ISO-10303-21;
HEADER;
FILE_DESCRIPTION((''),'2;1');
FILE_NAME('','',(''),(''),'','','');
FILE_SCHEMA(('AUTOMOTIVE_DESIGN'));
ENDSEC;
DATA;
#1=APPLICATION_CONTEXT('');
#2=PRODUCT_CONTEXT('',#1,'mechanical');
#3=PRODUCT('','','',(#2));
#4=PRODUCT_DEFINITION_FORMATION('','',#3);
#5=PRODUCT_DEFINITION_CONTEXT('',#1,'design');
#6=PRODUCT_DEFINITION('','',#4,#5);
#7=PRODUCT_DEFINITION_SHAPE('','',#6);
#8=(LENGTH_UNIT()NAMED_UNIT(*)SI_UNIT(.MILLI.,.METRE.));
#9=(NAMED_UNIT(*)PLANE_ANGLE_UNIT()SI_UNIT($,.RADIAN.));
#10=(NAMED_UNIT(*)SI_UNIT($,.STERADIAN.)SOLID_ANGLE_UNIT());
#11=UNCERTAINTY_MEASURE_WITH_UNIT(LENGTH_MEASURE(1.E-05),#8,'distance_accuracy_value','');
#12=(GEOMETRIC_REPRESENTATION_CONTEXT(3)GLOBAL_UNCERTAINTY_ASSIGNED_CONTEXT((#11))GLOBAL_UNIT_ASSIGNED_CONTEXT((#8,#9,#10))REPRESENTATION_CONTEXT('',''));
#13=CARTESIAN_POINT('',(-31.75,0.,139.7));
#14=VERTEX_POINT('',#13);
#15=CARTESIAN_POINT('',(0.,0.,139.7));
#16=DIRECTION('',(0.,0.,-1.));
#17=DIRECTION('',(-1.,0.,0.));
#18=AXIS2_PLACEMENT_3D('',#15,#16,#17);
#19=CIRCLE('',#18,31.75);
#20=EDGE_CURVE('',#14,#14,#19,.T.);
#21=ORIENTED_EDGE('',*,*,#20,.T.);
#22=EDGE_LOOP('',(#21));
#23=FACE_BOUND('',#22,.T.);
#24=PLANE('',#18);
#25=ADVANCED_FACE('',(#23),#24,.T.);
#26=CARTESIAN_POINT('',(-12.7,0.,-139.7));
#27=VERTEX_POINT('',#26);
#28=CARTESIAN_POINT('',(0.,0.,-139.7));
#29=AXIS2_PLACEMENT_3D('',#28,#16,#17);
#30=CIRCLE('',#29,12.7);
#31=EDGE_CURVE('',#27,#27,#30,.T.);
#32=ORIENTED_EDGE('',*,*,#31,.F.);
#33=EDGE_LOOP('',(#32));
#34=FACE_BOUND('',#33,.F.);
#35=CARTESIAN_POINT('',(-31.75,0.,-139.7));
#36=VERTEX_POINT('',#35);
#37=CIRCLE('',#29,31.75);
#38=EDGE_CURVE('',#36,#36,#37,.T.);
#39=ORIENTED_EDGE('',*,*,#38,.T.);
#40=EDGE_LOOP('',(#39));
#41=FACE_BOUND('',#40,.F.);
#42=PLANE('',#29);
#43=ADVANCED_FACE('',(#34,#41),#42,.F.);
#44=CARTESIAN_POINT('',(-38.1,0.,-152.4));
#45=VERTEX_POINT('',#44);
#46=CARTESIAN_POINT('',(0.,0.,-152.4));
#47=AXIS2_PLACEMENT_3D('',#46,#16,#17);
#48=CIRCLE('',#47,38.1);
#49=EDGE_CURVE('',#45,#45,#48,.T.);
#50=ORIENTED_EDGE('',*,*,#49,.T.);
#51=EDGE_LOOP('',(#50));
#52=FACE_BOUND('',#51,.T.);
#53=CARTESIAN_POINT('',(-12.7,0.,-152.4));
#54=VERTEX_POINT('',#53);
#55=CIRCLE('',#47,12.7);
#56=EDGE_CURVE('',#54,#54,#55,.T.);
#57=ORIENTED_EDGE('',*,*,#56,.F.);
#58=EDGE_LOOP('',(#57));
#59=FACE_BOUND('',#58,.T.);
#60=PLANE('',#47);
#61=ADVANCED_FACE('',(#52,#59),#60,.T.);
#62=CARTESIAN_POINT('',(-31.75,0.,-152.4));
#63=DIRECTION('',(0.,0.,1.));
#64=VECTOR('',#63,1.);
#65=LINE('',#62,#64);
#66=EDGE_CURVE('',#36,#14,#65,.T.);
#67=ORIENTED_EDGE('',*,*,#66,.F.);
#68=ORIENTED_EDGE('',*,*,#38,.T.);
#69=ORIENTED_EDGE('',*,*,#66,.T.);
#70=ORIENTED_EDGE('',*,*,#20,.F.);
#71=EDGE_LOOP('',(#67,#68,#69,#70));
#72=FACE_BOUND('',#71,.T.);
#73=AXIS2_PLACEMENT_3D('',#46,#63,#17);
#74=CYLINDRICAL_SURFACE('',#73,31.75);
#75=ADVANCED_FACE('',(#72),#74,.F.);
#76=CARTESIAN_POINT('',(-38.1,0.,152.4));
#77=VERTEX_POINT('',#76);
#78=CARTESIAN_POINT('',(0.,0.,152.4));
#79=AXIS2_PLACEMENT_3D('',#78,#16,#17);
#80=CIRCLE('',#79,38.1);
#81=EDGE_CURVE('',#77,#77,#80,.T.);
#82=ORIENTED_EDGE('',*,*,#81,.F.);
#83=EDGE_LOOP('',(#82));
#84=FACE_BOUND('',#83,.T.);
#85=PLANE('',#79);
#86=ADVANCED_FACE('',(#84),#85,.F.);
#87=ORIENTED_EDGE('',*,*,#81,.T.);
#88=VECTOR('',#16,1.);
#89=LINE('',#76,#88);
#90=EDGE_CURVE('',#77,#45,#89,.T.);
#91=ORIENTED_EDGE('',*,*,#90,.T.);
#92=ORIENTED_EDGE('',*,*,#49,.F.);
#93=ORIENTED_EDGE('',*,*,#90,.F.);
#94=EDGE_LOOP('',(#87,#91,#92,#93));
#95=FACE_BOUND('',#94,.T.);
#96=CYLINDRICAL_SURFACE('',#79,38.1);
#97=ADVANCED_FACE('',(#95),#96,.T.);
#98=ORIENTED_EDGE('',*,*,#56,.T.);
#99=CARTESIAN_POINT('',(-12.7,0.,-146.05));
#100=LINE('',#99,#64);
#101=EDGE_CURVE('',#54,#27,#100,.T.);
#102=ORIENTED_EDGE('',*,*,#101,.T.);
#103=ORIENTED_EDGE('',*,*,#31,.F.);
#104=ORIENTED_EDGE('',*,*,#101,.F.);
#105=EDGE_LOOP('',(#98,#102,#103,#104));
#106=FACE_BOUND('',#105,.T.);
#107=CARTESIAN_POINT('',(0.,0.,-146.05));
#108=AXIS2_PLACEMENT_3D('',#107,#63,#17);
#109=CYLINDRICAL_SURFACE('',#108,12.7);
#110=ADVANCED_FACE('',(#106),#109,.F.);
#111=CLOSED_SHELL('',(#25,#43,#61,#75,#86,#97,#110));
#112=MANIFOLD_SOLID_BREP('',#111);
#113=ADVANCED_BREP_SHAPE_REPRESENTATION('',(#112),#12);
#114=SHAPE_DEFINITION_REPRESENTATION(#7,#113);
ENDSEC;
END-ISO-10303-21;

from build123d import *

# Parameters (mm, degrees)
F0_W   = 31.75
F0_H   = 12.7
F0_W_2 = 19.05


with BuildPart() as f1:
    # F0 (on Front) → F1 (revolve)
    with BuildSketch(Plane.XZ):
        with Locations((-15.875, 146.05)):
            Rectangle(F0_W, F0_H)
        Polygon((-31.75, 152.4), (-38.1, 152.4), (-38.1, -152.4), (-31.75, -152.4), (-31.75, -139.7), (-31.75, 139.7), align=None)
        with Locations((-22.225, -146.05)):
            Rectangle(F0_W_2, F0_H)
    revolve(axis=Axis((0, 0, 0), (0, 0, -1)))


solid = f1.part
